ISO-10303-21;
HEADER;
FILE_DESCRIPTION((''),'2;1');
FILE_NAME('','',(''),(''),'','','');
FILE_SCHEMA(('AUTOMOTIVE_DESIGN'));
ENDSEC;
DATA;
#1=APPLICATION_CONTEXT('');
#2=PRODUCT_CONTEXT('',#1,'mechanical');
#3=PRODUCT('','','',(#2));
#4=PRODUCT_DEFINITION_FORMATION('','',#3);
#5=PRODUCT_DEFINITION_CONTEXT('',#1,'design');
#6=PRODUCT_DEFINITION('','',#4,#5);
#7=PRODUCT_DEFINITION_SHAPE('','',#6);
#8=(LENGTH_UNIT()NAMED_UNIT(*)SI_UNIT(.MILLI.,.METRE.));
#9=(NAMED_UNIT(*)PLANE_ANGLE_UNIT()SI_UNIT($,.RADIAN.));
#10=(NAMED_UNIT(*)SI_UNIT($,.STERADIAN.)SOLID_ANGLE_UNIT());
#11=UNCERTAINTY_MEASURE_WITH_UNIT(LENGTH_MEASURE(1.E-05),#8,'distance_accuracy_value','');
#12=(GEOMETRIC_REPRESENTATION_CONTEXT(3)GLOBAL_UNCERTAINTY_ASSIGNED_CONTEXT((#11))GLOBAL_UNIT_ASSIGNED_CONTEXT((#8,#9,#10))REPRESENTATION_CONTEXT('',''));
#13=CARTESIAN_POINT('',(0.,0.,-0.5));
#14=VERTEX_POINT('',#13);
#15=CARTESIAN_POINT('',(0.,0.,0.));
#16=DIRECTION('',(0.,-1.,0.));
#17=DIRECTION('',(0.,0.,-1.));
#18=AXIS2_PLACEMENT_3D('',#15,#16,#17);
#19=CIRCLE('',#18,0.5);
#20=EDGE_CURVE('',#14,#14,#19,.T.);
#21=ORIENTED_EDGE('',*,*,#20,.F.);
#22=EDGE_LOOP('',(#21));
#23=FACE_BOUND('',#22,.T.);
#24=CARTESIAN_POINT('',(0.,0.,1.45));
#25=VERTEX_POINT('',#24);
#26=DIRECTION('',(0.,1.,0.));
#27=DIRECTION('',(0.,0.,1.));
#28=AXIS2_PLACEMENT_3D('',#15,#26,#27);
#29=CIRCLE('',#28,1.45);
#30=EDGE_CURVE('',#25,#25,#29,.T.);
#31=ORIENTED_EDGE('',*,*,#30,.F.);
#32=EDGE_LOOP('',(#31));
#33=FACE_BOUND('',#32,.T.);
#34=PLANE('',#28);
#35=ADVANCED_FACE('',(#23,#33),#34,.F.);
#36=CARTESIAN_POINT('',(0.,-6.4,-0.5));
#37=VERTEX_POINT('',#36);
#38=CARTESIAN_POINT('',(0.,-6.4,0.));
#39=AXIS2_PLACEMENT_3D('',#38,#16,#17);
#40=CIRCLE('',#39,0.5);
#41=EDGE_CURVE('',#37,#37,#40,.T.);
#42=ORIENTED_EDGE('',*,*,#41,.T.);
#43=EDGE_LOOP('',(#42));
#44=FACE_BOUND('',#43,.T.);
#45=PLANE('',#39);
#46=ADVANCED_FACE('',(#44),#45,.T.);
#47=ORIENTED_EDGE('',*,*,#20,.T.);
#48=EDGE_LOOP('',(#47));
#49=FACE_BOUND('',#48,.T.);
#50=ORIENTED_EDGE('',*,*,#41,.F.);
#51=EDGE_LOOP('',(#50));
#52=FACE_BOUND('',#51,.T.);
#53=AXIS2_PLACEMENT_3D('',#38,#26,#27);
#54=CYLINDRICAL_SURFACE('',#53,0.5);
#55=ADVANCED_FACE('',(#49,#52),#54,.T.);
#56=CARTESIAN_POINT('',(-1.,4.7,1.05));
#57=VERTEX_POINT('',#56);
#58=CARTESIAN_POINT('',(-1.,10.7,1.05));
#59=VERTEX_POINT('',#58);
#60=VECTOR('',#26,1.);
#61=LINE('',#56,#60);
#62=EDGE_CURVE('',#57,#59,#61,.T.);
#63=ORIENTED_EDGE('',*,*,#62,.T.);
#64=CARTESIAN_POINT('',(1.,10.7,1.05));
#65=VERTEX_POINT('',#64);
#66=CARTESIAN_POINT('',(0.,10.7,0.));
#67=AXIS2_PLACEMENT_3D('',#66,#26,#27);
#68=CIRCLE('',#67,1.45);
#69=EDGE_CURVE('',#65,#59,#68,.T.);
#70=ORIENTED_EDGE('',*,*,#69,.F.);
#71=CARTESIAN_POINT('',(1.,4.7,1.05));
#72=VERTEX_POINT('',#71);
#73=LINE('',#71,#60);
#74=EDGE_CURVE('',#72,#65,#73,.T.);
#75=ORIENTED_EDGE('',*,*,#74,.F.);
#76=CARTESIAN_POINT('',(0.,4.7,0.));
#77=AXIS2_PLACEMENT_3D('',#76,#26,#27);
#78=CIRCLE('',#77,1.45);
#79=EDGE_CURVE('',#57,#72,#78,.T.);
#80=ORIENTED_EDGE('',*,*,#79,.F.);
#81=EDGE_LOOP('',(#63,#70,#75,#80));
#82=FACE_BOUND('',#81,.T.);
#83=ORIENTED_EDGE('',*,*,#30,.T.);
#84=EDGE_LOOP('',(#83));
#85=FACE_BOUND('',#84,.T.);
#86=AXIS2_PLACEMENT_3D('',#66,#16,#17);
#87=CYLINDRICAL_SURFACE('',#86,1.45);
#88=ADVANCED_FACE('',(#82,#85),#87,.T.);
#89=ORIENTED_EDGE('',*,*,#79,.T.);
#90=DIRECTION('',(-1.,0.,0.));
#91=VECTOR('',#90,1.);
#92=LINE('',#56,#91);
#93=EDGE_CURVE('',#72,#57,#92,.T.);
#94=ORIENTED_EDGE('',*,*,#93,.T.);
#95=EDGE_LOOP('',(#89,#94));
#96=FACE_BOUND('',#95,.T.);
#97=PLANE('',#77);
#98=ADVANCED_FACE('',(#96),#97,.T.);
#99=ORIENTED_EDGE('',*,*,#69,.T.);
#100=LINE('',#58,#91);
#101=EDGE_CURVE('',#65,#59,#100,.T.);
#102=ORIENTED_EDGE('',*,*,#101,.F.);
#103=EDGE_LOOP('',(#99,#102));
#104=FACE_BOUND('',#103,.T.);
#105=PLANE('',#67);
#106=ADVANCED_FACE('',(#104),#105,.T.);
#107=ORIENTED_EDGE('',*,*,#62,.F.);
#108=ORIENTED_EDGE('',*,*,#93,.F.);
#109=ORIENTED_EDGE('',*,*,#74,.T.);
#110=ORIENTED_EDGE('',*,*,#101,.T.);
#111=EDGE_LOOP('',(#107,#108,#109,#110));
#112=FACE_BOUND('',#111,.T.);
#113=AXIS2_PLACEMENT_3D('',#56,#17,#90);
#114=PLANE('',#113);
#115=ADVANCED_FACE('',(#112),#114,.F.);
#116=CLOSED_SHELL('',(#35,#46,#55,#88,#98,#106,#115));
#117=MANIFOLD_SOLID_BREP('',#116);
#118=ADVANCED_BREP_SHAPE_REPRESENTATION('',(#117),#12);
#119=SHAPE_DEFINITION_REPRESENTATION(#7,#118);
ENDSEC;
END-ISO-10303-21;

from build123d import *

# Parameters (mm, degrees)
CROQUIS1_R              = 1.45
SALIENTE_EXTRUIR1_DEPTH = 10.7
CORTAR_EXTRUIR1_DEPTH   = 6
CROQUIS3_R              = 0.5
SALIENTE_EXTRUIR2_DEPTH = 6.4


with BuildPart() as part:
    # Croquis1 → Saliente-Extruir1 (new body)
    with BuildSketch(Plane(origin=(0, 0, 0), x_dir=(1, 0, 0), z_dir=(0, 1, 0))):
        Circle(CROQUIS1_R)
    extrude(amount=SALIENTE_EXTRUIR1_DEPTH)

    # Croquis2 → Cortar-Extruir1 (cut)
    with BuildSketch(Plane(origin=(0, 10.7, 0), x_dir=(1, 0, 0), z_dir=(0, 1, 0))):
        with BuildLine():
            Line((-1, -1.05), (1, -1.05))
            ThreePointArc((1, -1.05), (0, -1.45), (-1, -1.05))
        make_face()
    extrude(amount=-CORTAR_EXTRUIR1_DEPTH, mode=Mode.SUBTRACT)

    # Croquis3 → Saliente-Extruir2 (add)
    with BuildSketch(Plane.XZ):
        Circle(CROQUIS3_R)
    extrude(amount=SALIENTE_EXTRUIR2_DEPTH)


solid = part.part
